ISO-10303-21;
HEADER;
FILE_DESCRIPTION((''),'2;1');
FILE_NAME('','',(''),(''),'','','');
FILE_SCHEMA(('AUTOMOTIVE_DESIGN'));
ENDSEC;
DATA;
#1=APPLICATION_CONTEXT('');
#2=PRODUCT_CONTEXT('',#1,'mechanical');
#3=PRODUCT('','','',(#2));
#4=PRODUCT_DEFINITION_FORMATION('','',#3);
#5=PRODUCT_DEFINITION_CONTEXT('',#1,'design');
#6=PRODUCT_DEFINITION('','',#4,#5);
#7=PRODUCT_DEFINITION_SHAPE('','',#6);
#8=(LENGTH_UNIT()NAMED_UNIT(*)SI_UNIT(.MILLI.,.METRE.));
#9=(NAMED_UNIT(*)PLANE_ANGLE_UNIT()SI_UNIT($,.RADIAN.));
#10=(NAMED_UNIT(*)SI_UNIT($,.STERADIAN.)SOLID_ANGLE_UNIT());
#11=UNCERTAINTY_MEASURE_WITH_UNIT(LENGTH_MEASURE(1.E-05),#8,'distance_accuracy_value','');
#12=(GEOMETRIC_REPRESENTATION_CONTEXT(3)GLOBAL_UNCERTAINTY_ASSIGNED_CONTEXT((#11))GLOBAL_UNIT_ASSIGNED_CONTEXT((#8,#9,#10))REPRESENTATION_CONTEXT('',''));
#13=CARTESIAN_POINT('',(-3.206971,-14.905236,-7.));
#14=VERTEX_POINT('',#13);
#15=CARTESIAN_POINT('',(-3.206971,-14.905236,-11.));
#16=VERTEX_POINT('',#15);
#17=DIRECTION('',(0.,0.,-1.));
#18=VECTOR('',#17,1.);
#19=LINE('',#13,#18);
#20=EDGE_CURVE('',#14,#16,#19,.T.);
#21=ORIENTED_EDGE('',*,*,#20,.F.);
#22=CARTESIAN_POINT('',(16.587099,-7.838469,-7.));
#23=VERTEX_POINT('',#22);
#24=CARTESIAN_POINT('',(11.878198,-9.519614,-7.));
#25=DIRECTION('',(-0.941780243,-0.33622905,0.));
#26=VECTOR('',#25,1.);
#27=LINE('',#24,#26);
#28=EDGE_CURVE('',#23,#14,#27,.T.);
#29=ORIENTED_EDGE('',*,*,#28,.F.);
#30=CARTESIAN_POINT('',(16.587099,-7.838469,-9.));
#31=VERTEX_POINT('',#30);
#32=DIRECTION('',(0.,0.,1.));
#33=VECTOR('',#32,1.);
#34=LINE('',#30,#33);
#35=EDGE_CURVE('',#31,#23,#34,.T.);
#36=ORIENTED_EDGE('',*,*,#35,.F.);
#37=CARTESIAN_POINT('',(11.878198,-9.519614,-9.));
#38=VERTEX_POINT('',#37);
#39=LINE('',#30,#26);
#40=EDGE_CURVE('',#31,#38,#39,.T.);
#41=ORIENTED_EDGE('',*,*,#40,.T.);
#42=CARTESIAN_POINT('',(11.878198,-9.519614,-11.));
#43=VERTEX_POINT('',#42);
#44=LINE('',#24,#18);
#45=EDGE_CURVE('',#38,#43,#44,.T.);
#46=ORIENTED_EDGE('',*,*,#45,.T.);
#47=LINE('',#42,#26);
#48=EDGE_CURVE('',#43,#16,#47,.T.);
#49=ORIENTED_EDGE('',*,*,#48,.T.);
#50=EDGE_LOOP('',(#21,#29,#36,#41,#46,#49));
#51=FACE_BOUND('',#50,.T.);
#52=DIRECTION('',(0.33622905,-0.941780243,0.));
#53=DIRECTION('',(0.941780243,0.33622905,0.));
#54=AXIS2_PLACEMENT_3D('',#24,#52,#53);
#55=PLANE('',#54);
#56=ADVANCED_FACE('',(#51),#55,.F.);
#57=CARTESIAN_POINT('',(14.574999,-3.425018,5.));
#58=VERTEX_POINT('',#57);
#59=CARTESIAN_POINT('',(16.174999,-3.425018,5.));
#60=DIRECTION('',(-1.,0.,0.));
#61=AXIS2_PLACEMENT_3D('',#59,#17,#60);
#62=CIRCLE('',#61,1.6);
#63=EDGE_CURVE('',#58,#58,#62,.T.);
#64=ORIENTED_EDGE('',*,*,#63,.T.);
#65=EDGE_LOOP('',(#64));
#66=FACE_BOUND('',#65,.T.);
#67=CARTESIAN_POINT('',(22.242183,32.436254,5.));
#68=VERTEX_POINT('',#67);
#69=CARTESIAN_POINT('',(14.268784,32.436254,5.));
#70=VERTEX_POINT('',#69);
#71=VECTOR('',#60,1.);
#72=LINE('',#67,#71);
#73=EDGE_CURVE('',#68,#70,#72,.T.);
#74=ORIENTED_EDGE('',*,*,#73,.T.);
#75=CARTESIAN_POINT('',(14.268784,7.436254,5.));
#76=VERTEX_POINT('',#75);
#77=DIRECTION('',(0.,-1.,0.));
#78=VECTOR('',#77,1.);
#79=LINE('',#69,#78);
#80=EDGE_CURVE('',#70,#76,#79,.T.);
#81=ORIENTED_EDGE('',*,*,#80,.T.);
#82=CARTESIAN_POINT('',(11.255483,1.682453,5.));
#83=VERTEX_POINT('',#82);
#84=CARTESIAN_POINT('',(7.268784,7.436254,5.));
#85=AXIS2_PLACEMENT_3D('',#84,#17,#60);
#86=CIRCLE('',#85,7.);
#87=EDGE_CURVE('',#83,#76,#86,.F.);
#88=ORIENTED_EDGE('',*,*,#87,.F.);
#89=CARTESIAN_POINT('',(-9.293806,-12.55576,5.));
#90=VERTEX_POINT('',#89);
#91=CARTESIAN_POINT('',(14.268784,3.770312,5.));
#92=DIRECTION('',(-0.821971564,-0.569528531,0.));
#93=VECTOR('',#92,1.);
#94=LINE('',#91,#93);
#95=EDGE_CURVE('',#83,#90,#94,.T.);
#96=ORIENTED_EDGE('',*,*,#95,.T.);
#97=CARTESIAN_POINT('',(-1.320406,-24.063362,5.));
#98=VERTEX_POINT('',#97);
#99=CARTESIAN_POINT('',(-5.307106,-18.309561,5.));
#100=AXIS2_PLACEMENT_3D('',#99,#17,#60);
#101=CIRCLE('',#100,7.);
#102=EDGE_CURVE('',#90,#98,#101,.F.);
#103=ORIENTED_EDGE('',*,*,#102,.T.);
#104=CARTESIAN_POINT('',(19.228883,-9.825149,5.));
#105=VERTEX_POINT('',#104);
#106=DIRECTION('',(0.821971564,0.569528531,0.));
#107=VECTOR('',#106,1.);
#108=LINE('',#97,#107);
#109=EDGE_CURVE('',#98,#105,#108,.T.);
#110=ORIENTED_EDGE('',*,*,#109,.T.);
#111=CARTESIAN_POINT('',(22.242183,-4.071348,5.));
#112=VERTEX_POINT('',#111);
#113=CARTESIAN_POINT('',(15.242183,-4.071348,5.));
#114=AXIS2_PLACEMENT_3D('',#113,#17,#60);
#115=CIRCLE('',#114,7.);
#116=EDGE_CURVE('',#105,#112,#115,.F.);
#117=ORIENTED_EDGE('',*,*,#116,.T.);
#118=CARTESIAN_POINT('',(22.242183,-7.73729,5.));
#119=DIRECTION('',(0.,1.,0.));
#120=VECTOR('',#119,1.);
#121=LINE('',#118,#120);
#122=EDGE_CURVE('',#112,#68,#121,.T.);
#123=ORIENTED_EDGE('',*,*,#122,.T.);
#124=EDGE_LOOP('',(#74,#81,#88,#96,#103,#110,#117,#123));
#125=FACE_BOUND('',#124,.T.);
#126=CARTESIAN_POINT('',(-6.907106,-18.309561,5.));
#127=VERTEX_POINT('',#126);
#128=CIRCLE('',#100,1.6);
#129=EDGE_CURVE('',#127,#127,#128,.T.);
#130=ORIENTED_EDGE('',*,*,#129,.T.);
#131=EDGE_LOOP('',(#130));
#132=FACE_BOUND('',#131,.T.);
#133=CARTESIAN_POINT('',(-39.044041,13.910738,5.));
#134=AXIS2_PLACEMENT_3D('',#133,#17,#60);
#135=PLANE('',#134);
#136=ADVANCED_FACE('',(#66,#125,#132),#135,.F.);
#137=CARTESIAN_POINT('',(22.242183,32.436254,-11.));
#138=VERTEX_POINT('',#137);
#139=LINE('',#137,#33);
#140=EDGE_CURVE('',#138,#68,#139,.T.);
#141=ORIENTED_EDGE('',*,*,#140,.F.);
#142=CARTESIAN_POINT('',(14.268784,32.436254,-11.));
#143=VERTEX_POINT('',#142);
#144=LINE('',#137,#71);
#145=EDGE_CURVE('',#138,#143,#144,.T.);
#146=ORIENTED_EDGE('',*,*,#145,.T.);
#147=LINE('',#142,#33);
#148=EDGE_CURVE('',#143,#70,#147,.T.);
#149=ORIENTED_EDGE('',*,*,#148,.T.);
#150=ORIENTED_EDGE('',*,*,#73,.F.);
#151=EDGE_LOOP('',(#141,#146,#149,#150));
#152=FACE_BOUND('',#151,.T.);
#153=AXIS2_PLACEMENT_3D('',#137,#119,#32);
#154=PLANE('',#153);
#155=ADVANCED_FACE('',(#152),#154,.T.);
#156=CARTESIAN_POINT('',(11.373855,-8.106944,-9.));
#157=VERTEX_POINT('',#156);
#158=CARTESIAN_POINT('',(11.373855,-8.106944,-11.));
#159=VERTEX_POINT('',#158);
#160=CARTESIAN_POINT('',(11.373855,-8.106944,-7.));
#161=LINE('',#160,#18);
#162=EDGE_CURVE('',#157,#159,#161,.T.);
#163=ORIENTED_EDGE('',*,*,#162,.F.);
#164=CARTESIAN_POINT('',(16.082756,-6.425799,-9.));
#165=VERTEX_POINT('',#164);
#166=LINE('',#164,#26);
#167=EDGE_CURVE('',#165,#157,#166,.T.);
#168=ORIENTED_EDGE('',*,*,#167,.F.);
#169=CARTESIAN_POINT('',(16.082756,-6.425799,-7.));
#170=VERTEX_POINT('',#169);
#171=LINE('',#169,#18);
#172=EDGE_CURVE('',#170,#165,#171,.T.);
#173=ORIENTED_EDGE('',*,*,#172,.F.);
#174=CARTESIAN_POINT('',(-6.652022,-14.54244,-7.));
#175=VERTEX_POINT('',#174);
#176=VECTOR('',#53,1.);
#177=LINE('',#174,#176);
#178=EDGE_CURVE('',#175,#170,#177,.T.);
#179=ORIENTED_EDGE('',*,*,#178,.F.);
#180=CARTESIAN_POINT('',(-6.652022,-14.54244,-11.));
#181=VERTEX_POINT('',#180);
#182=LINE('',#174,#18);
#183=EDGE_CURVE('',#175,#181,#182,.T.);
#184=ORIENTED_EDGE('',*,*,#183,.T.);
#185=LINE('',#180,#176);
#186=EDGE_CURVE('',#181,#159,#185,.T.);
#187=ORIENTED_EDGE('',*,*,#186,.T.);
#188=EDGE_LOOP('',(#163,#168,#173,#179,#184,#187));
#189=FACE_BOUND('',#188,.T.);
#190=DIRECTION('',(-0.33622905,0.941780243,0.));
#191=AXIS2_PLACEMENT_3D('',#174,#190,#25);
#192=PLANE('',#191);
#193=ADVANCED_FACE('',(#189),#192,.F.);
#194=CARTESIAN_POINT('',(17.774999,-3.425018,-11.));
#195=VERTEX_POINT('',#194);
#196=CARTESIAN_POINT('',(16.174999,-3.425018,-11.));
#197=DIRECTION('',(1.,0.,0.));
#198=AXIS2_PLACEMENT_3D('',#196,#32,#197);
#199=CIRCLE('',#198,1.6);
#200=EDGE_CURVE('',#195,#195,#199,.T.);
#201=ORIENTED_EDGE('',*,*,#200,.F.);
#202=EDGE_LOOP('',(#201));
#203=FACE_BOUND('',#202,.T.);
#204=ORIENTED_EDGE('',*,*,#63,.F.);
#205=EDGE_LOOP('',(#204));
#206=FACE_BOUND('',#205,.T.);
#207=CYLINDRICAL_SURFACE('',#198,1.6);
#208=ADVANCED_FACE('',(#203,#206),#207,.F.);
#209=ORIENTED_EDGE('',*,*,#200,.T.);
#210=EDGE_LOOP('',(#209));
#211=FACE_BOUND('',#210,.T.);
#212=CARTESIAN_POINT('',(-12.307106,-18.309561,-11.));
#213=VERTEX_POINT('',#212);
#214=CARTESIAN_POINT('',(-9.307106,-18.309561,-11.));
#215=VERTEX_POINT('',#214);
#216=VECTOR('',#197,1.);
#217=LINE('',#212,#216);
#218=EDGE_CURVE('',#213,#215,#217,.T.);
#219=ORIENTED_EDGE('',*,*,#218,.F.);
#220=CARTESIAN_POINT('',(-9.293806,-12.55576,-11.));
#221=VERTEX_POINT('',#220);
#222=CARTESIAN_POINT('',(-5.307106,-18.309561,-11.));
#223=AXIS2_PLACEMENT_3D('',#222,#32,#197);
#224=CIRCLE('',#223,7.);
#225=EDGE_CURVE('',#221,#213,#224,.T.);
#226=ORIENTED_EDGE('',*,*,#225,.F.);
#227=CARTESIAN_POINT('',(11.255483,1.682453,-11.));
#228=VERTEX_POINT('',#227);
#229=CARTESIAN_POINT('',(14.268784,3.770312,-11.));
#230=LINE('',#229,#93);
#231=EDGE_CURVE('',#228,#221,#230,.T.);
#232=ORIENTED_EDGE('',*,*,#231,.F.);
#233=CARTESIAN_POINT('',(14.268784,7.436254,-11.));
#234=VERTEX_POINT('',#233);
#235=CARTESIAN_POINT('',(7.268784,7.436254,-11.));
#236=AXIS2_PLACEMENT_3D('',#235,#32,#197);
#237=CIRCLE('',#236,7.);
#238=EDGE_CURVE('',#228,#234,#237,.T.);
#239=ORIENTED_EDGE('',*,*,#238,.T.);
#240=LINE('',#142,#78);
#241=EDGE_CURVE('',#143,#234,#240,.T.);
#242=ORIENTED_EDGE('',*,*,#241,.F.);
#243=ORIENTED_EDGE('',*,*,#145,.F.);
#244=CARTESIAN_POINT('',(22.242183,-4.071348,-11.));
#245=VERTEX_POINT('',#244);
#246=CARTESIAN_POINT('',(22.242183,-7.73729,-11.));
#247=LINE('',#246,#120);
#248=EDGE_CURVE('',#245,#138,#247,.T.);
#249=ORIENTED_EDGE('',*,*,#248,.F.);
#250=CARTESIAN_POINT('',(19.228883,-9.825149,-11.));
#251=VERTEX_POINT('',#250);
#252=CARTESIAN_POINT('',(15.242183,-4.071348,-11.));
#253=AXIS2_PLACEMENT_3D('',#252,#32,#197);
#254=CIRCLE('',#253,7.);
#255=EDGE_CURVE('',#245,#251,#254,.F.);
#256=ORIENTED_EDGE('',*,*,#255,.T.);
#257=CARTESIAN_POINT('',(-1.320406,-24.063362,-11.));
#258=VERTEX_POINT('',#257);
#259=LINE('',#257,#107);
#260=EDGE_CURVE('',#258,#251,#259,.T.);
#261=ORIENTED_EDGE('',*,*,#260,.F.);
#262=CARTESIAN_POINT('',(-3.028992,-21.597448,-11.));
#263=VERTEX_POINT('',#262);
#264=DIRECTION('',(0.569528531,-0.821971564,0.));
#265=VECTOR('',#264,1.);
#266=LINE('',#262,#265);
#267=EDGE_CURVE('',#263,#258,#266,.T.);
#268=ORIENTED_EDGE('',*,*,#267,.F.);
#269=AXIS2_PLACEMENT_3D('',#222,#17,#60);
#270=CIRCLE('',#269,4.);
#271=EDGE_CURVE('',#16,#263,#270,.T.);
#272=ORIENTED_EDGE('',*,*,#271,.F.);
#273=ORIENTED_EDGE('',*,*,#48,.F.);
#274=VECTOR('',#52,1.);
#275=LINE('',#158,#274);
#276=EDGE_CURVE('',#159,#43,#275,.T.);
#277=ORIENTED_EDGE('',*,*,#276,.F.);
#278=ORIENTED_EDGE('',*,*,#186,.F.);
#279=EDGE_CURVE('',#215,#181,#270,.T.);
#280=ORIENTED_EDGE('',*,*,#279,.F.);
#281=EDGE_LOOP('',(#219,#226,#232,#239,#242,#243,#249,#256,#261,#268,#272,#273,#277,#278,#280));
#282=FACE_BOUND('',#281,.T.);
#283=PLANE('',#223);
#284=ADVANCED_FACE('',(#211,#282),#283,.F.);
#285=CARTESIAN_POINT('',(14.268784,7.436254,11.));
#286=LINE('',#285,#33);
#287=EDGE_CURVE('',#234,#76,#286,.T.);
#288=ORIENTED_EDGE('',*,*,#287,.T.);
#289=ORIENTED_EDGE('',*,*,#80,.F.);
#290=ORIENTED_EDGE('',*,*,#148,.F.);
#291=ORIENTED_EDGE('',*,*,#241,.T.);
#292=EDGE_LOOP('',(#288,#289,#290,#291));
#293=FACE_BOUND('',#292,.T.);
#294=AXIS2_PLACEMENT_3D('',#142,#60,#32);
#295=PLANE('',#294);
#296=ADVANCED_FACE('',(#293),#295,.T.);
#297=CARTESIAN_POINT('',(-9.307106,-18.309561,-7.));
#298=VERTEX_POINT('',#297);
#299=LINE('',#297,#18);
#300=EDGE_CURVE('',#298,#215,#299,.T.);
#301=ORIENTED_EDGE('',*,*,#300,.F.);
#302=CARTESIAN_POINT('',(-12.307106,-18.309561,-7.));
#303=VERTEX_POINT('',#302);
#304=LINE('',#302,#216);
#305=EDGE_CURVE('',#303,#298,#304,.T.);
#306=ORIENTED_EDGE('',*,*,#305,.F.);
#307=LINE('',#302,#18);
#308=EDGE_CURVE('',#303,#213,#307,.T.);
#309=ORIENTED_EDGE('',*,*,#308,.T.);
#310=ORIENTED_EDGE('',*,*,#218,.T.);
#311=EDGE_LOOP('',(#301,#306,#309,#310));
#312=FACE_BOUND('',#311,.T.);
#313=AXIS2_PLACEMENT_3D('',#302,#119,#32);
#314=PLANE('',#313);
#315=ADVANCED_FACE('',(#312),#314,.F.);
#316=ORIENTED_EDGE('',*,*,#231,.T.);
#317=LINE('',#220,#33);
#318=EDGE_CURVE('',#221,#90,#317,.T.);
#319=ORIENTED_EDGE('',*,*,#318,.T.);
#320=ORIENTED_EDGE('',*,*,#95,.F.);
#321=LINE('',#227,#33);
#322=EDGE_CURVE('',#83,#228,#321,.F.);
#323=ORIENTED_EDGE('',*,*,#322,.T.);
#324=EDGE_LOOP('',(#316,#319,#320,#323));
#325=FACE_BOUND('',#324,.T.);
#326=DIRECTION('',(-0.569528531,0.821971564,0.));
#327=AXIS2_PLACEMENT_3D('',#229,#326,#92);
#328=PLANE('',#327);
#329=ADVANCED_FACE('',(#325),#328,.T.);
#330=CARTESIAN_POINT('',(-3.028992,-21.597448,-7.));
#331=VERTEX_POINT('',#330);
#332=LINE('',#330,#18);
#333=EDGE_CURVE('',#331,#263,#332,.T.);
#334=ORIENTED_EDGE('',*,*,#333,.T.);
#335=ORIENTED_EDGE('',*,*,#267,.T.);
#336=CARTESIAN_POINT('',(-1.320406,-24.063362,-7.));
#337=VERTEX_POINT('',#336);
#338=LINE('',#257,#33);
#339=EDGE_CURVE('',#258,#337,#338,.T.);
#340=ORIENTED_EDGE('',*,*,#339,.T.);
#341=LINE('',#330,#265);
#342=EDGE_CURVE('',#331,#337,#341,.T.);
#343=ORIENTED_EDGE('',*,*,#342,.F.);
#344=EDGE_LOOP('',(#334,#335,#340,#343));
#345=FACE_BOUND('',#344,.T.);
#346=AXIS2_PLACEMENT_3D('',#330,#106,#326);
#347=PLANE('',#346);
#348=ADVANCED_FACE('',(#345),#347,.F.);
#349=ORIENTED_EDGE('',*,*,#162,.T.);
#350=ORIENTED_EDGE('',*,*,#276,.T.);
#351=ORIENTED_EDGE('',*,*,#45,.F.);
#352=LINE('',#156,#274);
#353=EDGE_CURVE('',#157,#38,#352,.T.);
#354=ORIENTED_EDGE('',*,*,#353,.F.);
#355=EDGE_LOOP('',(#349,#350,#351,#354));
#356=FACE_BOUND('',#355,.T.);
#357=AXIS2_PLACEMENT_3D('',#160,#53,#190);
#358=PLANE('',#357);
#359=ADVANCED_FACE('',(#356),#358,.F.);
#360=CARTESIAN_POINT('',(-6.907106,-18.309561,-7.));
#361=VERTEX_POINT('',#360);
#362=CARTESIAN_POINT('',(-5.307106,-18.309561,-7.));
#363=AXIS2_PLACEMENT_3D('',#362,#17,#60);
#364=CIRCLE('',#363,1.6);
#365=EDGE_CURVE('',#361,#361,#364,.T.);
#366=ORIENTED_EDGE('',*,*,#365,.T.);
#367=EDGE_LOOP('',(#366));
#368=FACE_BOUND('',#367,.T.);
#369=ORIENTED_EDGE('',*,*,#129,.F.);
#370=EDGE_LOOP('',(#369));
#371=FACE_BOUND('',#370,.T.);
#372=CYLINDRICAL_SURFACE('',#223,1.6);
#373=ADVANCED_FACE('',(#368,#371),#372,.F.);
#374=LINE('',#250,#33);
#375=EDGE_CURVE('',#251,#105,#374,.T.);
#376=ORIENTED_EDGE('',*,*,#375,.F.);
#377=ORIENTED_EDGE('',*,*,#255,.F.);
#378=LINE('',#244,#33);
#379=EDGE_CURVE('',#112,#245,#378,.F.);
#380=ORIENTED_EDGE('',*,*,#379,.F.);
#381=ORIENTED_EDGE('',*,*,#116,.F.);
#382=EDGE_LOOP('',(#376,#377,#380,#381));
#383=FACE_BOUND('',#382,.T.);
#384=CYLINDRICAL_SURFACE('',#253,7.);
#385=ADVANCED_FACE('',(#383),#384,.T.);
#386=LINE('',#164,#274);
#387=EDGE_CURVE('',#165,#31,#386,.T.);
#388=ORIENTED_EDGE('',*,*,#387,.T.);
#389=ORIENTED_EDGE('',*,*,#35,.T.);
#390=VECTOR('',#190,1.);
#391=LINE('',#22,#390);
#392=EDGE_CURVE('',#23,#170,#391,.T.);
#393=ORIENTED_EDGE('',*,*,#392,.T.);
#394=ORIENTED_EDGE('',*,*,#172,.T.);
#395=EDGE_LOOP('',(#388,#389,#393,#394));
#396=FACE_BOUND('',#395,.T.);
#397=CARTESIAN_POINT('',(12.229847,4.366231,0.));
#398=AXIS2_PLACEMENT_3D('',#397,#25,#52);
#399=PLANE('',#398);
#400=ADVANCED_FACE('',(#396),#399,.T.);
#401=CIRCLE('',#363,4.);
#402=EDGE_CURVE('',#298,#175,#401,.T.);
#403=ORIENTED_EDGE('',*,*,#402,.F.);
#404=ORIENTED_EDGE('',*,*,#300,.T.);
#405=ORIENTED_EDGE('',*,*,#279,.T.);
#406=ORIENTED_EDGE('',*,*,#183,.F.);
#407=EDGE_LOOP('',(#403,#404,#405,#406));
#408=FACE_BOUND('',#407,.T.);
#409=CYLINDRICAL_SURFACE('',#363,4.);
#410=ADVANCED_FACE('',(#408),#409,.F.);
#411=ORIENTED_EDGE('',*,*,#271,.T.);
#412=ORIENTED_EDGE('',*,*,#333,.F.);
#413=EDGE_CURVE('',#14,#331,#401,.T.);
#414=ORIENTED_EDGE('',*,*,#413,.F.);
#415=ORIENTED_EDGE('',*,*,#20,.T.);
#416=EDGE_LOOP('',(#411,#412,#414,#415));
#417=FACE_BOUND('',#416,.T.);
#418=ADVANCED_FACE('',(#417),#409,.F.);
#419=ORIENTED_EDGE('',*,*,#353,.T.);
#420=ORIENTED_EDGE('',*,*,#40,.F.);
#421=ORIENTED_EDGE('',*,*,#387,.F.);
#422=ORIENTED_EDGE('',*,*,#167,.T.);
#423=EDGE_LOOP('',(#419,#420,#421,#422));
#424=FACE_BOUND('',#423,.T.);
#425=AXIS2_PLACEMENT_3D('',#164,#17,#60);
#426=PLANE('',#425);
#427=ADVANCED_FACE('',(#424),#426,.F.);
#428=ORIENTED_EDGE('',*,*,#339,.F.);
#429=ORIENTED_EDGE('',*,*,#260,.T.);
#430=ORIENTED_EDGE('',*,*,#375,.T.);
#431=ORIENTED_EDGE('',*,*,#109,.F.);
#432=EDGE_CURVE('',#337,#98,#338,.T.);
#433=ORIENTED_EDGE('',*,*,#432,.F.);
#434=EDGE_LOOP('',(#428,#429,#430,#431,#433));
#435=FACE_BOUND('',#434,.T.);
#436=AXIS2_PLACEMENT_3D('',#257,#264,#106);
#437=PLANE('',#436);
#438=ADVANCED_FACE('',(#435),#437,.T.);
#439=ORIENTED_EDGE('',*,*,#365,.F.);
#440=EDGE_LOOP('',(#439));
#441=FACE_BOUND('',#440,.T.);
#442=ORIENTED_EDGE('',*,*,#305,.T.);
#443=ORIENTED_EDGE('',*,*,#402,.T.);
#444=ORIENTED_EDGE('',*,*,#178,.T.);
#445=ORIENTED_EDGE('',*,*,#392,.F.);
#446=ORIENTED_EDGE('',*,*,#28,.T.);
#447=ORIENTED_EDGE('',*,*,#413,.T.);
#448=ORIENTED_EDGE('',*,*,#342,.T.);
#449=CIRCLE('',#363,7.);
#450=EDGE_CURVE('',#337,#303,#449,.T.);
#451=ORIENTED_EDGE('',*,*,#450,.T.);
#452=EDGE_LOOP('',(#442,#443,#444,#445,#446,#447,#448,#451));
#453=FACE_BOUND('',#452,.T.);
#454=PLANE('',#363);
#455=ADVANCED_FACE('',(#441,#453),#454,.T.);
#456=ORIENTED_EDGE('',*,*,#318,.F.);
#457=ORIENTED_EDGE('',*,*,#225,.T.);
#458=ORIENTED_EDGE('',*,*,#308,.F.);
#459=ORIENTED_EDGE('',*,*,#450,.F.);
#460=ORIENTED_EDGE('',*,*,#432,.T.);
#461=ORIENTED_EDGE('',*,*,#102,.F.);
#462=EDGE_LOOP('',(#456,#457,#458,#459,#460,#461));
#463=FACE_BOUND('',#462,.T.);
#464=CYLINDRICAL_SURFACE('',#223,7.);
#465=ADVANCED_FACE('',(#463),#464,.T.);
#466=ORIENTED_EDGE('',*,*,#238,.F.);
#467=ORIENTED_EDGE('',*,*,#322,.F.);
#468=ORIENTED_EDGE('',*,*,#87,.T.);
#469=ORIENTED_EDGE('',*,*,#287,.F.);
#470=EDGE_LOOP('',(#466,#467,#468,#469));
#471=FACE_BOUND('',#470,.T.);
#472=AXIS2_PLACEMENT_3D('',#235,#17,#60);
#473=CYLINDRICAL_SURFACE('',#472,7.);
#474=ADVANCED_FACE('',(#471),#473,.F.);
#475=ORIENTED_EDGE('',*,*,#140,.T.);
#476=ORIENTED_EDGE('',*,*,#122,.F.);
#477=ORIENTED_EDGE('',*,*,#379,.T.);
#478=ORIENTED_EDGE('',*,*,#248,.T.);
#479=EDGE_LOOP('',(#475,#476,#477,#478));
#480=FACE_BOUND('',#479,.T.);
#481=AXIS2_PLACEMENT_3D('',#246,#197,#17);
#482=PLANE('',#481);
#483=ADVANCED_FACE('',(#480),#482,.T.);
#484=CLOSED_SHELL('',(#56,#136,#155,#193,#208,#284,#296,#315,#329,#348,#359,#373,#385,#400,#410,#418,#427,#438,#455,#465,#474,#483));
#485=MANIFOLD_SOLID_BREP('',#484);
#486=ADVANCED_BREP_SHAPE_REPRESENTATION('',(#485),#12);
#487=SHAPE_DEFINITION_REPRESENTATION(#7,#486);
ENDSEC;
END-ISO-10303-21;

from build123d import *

# Parameters (mm, degrees)
EXTRUDE_1_DEPTH          = 22
CUT_EXTRUDE_START        = -4
CUT_EXTRUDE_1_DEPTH      = 4
SKETCH_3_W               = 2
SKETCH_3_H               = 1.5
CUT_EXTRUDE_2_DEPTH      = 5
FILLET_1_R               = 7
CUT_EXTRUDE_3_DEPTH      = 55.478956816
CUT_EXTRUDE_3_DEPTH_BACK = 55.478956816
SKETCH_11_W              = 74.866363777
SKETCH_11_H              = 10.751937883
CUT_EXTRUDE_4_DEPTH      = 43.459689965
CUT_EXTRUDE_4_DEPTH_BACK = 43.459689965
SKETCH_12_R              = 1.6


with BuildPart() as part:
    # 草图1 → 凸台-拉伸1 (new body)
    with BuildSketch(Plane.XY.offset(11)):
        with BuildLine():
            Line((22.242183112, 32.436253827), (14.268783679, 32.436253827))
            Line((14.268783679, 32.436253827), (14.268783679, 3.77031158))
            Line((14.268783679, 3.77031158), (-9.293805711, -12.555760396))
            ThreePointArc((-9.293805711, -12.555760396), (-11.060906945, -22.296261062), (-1.320406278, -24.063362296))
            Line((-1.320406278, -24.063362296), (22.242183112, -7.73729032))
            Line((22.242183112, -7.73729032), (22.242183112, 32.436253827))
        make_face()
    extrude(amount=-EXTRUDE_1_DEPTH)

    # 草图2 → 切除-拉伸1 (cut)
    with BuildSketch(Plane(origin=(0, 0, -11), x_dir=(-1, 0, 0), z_dir=(0, 0, -1)).offset(CUT_EXTRUDE_START)):
        with BuildLine():
            Line((6.652022195, -14.542440374), (-11.373854522, -8.10694393))
            Line((-11.373854522, -8.10694393), (-11.878198097, -9.519614294))
            Line((-11.878198097, -9.519614294), (3.206970754, -14.905235866))
            ThreePointArc((3.206970754, -14.905235866), (1.308519825, -18.203219238), (3.028991871, -21.597447603))
            Line((3.028991871, -21.597447603), (1.320406278, -24.063362296))
            ThreePointArc((1.320406278, -24.063362296), (8.554651374, -24.510645848), (12.307105995, -18.309561346))
            Line((12.307105995, -18.309561346), (9.307105995, -18.309561346))
            ThreePointArc((9.307105995, -18.309561346), (8.576636909, -16.005181256), (6.652022195, -14.542440374))
        make_face()
    extrude(amount=CUT_EXTRUDE_1_DEPTH, mode=Mode.SUBTRACT)

    # 草图3 → 切除-拉伸2 (cut)
    with BuildSketch(Plane(origin=(7.520945342, 2.685085323, 0), x_dir=(0, 0, 1), z_dir=(-0.9417802429021499, -0.3362290500227003, 0))):
        with Locations((-8, -12.209179925)):
            Rectangle(SKETCH_3_W, SKETCH_3_H)
    extrude(amount=-CUT_EXTRUDE_2_DEPTH, mode=Mode.SUBTRACT)

    # 圆角1
    fillet_1_edges = [part.edges().sort_by_distance(p)[0] for p in [
        (22.242183112, -7.73729032, 0),
        (14.268783679, 3.77031158, 0),
    ]]
    fillet(fillet_1_edges, radius=FILLET_1_R)

    # 草图11 → 切除-拉伸3 (cut, two sides: drawn at the far end of the back side and taken through both)
    with BuildSketch(Plane(origin=(10.836641759, -15.639973933, 0), x_dir=(0.8219715642635482, 0.5695285309289919, 0), z_dir=(0.5695285309289919, -0.8219715642635482, 0)).offset(-CUT_EXTRUDE_3_DEPTH_BACK)):
        with Locations((13.262652651, 10.375968942)):
            Rectangle(SKETCH_11_W, SKETCH_11_H)
    extrude(amount=CUT_EXTRUDE_3_DEPTH + CUT_EXTRUDE_3_DEPTH_BACK, mode=Mode.SUBTRACT)

    # 草图12 → 切除-拉伸4 (cut, two sides: drawn at the far end of the back side and taken through both)
    with BuildSketch(Plane.XY.offset(5).offset(-CUT_EXTRUDE_4_DEPTH_BACK)):
        with Locations(Location((-5.307105995, -18.309561346, 0), (0, 0, 180))):
            Circle(SKETCH_12_R)
        with Locations((16.17499904, -3.425017581)):
            Circle(SKETCH_12_R)
    extrude(amount=CUT_EXTRUDE_4_DEPTH + CUT_EXTRUDE_4_DEPTH_BACK, mode=Mode.SUBTRACT)


solid = part.part
